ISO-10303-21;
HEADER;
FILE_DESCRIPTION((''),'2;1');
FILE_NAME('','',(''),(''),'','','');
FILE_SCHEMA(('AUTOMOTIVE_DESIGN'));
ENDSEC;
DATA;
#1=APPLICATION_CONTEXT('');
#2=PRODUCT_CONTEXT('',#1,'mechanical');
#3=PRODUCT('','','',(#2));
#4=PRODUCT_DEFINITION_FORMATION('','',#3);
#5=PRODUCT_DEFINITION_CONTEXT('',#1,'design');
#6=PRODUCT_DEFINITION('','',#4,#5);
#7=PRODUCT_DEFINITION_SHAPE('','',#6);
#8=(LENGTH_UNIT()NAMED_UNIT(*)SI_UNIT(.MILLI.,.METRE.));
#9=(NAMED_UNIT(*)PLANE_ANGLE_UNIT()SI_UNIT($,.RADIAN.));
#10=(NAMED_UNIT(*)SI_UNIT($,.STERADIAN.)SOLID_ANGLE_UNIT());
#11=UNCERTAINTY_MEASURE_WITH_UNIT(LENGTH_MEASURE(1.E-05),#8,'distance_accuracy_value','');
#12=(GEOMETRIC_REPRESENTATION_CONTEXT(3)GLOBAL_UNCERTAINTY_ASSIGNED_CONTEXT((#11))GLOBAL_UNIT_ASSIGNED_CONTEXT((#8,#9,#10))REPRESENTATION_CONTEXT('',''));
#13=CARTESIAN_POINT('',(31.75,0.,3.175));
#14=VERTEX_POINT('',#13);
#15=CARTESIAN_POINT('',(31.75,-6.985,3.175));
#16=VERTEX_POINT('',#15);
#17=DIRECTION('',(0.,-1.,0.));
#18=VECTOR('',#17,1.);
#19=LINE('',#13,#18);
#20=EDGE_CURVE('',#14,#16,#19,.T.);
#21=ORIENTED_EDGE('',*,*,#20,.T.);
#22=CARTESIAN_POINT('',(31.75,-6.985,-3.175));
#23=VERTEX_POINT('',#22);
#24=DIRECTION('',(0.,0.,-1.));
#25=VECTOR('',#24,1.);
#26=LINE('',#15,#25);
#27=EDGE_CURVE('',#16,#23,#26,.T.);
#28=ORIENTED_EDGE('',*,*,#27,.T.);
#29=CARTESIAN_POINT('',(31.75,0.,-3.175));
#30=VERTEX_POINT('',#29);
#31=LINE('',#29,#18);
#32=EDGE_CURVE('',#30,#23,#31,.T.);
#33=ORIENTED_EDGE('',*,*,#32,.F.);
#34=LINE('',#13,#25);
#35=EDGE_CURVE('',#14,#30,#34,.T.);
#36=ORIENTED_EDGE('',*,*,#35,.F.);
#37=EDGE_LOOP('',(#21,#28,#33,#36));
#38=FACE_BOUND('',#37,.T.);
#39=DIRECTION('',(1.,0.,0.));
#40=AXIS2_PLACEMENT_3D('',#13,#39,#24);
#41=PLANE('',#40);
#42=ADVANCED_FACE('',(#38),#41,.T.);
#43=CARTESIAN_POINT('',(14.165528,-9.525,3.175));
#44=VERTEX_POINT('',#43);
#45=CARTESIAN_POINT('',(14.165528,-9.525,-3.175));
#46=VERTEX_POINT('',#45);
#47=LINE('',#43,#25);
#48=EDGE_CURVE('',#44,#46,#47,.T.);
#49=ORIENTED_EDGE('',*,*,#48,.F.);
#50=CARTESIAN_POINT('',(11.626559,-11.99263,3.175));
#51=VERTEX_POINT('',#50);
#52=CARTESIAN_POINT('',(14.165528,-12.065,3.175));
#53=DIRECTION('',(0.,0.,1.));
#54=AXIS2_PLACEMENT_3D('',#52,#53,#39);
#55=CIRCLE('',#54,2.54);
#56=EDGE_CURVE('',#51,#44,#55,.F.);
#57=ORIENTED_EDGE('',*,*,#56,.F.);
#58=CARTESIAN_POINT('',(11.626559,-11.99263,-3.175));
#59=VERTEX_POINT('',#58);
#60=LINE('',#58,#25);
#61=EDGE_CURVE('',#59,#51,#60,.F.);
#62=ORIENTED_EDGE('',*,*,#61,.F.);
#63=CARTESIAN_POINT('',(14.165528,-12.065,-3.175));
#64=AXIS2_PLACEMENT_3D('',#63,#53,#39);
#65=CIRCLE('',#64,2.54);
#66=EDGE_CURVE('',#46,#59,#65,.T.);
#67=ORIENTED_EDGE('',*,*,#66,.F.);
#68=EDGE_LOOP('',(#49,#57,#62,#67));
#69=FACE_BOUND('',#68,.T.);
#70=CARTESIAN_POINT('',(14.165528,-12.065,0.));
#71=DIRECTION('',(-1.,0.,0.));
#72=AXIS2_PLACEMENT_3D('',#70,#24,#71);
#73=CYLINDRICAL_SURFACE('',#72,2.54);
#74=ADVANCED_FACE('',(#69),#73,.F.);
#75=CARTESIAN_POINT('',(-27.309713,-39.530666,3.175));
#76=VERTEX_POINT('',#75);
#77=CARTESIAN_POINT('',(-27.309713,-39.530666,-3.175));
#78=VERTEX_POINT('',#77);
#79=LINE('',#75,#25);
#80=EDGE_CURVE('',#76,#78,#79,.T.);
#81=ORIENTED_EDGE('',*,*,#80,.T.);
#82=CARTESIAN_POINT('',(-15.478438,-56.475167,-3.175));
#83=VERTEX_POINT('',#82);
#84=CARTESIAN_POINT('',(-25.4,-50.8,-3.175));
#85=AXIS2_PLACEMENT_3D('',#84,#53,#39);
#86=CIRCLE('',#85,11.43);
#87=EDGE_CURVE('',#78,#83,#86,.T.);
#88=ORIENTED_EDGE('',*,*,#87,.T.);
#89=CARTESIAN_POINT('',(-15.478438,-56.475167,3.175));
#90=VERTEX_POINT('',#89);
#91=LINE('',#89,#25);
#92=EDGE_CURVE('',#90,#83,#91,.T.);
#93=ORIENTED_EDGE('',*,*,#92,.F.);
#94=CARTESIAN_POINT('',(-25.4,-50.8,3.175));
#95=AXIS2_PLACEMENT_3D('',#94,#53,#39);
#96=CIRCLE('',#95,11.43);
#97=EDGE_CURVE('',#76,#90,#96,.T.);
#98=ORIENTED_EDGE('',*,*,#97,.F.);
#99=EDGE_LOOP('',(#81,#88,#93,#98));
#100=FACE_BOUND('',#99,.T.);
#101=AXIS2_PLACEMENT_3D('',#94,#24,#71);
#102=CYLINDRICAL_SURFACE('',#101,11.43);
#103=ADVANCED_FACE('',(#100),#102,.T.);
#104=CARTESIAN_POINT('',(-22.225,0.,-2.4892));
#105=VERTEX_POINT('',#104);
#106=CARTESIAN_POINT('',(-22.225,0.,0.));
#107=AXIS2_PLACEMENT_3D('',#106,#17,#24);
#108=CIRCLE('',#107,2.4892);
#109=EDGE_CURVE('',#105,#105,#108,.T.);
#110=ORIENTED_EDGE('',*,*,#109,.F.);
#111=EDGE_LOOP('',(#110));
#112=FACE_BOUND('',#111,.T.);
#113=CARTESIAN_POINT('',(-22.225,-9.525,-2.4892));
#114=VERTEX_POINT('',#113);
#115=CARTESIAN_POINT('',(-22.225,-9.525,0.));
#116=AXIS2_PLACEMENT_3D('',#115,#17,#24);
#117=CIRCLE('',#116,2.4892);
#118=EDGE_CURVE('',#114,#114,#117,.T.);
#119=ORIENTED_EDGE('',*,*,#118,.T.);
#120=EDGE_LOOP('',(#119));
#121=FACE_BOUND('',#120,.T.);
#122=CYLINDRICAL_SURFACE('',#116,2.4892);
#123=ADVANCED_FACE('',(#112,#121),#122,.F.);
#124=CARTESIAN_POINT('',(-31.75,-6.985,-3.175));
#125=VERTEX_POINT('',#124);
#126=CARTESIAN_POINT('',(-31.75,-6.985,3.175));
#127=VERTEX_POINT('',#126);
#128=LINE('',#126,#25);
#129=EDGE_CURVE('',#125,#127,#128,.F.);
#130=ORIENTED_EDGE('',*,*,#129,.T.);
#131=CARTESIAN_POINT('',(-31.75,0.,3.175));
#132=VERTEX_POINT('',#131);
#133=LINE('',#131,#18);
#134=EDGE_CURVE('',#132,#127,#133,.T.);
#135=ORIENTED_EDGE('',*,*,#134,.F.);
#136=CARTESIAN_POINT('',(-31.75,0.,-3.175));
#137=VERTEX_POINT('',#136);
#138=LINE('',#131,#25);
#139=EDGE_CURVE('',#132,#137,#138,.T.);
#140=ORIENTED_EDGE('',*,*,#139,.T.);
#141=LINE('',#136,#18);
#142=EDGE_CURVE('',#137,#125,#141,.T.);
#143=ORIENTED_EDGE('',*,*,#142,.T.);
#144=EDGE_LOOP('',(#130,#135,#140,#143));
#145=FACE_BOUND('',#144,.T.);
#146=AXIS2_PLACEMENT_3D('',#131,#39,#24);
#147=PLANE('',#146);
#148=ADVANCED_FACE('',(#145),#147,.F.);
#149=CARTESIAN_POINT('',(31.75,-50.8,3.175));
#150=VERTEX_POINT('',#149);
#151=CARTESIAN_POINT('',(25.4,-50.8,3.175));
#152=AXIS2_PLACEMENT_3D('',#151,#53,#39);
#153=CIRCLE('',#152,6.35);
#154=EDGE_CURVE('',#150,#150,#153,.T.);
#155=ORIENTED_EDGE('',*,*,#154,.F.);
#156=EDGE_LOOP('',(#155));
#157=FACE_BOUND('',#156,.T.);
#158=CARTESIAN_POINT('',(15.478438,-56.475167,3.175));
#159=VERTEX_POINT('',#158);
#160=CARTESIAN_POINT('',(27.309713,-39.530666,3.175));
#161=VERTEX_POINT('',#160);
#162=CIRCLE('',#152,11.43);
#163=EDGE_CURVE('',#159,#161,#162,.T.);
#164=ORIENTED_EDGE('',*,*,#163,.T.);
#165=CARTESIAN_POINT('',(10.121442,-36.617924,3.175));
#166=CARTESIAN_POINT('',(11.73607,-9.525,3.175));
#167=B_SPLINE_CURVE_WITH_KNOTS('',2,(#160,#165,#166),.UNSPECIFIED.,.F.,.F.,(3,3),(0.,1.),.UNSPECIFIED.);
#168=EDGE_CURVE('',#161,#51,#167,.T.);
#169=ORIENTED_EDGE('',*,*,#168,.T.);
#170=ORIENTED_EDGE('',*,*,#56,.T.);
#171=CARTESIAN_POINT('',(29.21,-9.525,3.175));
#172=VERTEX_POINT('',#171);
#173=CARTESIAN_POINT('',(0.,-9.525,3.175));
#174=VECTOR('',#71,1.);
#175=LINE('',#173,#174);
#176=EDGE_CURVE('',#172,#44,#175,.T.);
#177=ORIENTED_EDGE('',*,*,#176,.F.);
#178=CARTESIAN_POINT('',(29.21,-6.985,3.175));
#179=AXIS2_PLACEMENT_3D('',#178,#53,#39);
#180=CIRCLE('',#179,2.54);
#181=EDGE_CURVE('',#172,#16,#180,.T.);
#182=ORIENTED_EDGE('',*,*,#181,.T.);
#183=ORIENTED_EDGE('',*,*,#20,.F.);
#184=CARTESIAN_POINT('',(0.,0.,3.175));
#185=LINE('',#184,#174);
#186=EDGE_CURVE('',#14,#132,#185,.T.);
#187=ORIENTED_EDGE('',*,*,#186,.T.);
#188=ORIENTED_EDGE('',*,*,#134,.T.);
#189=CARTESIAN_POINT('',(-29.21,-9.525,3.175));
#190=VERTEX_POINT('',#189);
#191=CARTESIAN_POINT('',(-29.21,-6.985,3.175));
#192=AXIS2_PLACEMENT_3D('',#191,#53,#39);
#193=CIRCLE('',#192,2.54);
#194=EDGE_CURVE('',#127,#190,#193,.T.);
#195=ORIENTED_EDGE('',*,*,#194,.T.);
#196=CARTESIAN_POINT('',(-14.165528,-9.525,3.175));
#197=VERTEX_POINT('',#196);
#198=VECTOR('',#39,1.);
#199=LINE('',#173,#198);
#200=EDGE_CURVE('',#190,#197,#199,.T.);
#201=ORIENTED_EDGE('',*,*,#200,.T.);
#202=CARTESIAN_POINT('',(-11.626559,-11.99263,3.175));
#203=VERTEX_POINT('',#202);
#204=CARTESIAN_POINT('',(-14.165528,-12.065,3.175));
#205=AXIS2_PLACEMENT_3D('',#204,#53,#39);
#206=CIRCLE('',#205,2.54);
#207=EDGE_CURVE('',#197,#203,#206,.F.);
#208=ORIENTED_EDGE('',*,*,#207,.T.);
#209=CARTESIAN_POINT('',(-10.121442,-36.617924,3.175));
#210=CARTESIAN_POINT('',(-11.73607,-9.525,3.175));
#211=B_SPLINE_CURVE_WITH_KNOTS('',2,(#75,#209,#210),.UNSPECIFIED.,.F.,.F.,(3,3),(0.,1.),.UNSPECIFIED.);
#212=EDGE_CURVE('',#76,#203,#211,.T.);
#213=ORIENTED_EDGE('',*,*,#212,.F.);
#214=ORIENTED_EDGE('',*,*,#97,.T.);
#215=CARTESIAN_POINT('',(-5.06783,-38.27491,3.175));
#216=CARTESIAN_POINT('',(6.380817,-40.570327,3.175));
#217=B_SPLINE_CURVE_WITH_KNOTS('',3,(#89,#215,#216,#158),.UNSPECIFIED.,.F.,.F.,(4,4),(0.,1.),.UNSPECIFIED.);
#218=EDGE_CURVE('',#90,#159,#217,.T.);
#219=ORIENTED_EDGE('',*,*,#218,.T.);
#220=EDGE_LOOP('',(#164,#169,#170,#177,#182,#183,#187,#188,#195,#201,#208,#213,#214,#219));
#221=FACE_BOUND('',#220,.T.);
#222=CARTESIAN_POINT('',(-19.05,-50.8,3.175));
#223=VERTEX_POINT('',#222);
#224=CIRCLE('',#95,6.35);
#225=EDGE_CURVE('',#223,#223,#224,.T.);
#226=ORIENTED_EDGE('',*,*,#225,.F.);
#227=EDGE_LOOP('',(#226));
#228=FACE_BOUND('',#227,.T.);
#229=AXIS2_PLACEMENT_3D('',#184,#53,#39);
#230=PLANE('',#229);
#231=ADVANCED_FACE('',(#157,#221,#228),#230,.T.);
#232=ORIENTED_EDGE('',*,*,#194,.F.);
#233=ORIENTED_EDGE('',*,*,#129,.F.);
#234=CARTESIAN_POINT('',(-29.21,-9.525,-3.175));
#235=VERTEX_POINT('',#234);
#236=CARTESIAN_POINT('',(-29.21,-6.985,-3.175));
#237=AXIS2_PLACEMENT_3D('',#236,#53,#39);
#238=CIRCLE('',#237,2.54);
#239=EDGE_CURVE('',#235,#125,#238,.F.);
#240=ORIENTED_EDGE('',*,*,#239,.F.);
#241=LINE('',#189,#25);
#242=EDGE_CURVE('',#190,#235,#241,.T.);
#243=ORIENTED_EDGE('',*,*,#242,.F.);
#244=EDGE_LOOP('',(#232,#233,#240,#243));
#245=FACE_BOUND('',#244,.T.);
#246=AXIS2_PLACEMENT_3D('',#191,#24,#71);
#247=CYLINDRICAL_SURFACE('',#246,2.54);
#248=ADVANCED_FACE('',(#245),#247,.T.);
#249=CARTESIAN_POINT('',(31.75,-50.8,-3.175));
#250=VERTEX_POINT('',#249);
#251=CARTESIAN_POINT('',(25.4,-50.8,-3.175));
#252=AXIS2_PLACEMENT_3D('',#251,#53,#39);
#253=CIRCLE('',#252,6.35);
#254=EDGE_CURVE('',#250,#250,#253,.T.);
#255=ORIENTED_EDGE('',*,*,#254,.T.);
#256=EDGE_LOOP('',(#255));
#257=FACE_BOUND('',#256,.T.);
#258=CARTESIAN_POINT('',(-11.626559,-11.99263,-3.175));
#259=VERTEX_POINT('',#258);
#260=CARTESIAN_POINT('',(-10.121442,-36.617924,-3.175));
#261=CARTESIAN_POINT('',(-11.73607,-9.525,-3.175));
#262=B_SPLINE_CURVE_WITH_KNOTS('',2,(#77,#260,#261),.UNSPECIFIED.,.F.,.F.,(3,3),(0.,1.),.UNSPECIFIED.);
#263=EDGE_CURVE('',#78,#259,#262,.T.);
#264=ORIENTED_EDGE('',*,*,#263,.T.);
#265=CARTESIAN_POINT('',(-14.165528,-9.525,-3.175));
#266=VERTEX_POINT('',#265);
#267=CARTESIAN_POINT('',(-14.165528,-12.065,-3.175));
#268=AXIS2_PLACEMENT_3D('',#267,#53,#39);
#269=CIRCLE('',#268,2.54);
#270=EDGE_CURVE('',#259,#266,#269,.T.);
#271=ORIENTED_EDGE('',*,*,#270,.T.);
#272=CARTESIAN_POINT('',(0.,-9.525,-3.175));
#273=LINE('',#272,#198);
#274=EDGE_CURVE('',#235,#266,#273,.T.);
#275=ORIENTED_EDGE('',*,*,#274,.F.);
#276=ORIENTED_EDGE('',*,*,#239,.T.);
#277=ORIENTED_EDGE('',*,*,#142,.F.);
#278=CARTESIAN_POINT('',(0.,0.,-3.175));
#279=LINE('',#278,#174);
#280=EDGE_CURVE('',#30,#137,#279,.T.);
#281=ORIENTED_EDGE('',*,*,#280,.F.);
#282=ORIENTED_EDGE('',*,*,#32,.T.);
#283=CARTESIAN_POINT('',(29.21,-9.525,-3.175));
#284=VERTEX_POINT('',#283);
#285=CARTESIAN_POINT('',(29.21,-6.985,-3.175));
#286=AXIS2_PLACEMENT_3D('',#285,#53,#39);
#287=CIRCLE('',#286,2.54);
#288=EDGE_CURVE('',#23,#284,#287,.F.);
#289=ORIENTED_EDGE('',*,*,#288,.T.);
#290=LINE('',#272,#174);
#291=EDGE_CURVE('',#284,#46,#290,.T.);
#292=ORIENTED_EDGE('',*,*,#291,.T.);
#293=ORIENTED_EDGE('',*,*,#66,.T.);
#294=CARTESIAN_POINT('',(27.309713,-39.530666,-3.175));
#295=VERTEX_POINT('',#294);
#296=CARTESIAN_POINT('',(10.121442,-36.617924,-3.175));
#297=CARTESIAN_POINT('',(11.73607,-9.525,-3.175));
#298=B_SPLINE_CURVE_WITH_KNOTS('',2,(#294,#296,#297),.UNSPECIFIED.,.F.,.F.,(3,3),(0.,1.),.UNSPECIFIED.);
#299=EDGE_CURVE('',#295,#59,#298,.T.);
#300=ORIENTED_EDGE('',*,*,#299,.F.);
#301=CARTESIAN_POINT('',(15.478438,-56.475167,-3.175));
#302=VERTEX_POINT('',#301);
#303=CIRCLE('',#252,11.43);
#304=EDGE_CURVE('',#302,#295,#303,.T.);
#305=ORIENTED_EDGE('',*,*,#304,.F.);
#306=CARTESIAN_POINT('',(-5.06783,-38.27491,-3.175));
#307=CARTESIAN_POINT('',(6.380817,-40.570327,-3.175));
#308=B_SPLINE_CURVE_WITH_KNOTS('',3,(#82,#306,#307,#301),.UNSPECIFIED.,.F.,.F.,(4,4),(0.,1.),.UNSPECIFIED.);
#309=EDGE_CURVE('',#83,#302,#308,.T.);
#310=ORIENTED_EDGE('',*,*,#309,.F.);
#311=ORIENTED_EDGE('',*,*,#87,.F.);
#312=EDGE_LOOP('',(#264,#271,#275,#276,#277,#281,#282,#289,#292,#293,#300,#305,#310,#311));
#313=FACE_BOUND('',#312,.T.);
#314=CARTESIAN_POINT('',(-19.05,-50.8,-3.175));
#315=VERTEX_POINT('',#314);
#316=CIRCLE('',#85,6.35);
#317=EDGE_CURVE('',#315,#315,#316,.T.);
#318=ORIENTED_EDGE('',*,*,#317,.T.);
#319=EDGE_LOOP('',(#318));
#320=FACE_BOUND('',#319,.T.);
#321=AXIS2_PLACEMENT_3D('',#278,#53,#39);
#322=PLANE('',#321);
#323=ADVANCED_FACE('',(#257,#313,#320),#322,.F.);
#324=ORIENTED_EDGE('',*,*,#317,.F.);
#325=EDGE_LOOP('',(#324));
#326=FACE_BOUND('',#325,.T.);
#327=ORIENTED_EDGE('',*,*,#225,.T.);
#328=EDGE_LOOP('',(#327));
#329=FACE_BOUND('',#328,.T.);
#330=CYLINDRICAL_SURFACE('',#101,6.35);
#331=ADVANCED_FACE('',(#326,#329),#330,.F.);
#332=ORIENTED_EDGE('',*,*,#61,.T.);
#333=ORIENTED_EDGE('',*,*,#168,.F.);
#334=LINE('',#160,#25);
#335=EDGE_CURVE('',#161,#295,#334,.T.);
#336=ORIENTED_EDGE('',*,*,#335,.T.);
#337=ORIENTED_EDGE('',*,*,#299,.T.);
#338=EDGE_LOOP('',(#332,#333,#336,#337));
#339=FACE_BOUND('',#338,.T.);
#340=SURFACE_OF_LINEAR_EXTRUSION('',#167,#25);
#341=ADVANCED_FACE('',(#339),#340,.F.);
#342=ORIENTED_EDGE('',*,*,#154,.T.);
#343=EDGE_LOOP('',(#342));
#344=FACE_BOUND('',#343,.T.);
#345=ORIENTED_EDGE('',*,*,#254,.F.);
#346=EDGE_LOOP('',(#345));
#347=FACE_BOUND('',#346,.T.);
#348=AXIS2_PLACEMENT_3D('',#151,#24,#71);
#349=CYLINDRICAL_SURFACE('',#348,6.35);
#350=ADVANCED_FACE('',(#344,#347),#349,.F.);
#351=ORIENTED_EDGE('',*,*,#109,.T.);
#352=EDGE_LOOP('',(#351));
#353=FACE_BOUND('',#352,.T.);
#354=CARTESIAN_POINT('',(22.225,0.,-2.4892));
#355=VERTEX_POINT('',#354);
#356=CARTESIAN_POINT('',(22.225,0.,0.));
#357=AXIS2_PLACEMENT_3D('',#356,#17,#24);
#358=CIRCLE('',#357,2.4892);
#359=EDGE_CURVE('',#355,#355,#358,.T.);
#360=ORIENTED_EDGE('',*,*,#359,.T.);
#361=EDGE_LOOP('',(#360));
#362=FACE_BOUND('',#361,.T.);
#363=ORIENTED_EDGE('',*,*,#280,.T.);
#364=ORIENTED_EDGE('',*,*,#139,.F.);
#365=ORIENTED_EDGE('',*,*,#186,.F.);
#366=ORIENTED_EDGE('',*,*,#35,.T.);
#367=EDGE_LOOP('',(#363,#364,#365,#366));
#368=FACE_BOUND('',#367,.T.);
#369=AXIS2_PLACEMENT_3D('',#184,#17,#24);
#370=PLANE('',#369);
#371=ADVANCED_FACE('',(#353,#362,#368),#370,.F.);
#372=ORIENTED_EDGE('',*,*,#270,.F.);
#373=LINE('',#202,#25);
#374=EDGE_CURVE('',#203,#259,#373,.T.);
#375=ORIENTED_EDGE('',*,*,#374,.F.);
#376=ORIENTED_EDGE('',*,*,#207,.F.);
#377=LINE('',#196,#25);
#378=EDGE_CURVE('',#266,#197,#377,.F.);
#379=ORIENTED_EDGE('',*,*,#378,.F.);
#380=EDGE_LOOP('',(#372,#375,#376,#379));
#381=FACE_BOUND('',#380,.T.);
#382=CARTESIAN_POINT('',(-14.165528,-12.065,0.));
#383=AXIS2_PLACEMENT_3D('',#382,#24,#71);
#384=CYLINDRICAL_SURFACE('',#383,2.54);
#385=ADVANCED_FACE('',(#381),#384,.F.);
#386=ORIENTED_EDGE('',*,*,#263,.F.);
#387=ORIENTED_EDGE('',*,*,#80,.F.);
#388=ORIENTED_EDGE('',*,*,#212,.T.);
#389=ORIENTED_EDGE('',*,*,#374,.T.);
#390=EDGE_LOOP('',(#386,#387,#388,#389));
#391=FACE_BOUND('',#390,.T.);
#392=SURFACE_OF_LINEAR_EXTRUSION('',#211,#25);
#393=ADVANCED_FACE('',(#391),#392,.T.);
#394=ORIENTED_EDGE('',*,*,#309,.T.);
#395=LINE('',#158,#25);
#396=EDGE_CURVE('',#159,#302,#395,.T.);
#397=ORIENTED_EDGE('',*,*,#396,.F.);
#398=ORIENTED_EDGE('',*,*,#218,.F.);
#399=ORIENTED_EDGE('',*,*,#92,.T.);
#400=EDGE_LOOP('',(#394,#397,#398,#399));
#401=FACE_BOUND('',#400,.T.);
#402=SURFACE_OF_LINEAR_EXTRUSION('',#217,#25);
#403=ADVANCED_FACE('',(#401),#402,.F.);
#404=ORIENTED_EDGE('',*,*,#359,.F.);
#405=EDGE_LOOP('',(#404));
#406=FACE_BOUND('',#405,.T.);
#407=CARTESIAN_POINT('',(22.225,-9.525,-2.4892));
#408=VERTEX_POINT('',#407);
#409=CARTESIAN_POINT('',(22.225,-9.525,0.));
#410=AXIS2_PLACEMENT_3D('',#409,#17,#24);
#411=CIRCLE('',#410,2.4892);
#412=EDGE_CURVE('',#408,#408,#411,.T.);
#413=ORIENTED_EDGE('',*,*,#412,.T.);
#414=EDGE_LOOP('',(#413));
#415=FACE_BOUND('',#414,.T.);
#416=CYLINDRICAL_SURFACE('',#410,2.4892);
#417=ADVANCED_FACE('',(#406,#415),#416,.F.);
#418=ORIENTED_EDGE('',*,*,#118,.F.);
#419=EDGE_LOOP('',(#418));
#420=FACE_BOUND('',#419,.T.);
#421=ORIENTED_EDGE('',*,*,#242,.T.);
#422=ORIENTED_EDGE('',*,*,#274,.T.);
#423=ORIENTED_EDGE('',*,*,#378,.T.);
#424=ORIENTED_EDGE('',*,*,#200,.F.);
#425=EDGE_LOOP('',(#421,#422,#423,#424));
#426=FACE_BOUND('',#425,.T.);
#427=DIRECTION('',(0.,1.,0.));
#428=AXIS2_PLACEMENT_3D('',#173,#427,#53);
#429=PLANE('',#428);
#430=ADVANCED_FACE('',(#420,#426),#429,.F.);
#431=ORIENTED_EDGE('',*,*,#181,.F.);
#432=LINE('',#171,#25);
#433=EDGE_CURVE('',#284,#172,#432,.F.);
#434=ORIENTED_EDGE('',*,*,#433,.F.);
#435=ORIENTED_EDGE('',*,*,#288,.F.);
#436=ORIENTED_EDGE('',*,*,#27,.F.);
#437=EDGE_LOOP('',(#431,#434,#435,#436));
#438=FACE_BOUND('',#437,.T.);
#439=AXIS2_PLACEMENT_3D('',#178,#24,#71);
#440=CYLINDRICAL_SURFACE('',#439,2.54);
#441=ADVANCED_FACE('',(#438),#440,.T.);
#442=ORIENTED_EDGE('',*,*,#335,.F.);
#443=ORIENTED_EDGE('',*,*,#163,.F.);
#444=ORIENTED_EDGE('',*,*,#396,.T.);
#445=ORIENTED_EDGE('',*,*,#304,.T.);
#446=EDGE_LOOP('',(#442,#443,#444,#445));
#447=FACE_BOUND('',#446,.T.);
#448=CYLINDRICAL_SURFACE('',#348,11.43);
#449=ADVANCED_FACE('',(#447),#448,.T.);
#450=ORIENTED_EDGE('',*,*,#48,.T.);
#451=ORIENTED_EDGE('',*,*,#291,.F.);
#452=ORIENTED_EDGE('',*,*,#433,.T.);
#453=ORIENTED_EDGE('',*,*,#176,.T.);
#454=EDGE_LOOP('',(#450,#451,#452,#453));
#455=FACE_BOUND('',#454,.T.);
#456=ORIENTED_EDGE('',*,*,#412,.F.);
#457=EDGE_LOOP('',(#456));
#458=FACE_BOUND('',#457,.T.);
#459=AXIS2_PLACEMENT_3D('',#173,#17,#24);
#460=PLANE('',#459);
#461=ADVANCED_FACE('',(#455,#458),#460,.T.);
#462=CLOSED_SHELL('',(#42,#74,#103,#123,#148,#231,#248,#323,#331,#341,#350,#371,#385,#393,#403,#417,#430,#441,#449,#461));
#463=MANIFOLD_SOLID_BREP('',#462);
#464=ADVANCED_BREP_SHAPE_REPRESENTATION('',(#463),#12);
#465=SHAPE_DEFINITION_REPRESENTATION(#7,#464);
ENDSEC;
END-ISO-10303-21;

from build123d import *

# Parameters (mm, degrees)
SKETCH1_R                  = 11.43
SKETCH1_R_2                = 6.35
BOSS_EXTRUDE1_DEPTH        = 3.175
FILLET1_R                  = 2.54
F_10_CLEARANCE_HOLE1_D     = 4.9784
F_10_CLEARANCE_HOLE1_DEPTH = 9.525


with BuildPart() as part:
    # Sketch1 → Boss-Extrude1 (new, symmetric)
    # profile 1 of 3: a face of its own
    with BuildSketch(Plane.XY):
        with BuildLine():
            Line((31.75, -9.525), (31.75, 0))
            Line((31.75, 0), (-31.75, 0))
            Line((-31.75, 0), (-31.75, -9.525))
            Line((-31.75, -9.525), (-11.736070368, -9.525))
            add(Edge.make_bspline(
                [(-27.309712652, -39.53066561), (-10.121441585, -36.617924041), (-11.736070368, -9.525)],
                knots=[0, 0, 0, 1, 1, 1], degree=2))
            ThreePointArc((-27.309712652, -39.53066561), (-18.023792154, -42.06865086), (-13.97, -50.8))
            ThreePointArc((-13.97, -50.8), (-14.353544724, -53.736107258), (-15.478438466, -56.47516667))
            add(Edge.make_bspline(
                [(-15.478438466, -56.47516667), (-5.067830393, -38.274910251), (6.38081654, -40.57032704), (15.478438466, -56.47516667)],
                knots=[0, 0, 0, 0, 1, 1, 1, 1], degree=3))
            ThreePointArc((15.478438466, -56.47516667), (16.028422776, -44.256419914), (27.309712652, -39.53066561))
            add(Edge.make_bspline(
                [(27.309712652, -39.53066561), (10.121441585, -36.617924041), (11.736070368, -9.525)],
                knots=[0, 0, 0, 1, 1, 1], degree=2))
            Line((11.736070368, -9.525), (31.75, -9.525))
        make_face()
    # profile 2 of 3: a face of its own
    with BuildSketch(Plane.XY):
        with Locations((-25.4, -50.8)):
            Circle(SKETCH1_R)
        with Locations((-25.4, -50.8)):
            Circle(SKETCH1_R_2, mode=Mode.SUBTRACT)
    # profile 3 of 3: a face of its own
    with BuildSketch(Plane.XY):
        with Locations((25.4, -50.8)):
            Circle(SKETCH1_R)
        with Locations((25.4, -50.8)):
            Circle(SKETCH1_R_2, mode=Mode.SUBTRACT)
    extrude(amount=BOSS_EXTRUDE1_DEPTH, both=True)

    # Fillet1
    fillet1_edges = [part.edges().sort_by_distance(p)[0] for p in [
        (-11.736070368, -9.525, -1.5875),
        (-31.75, -9.525, 0),
        (31.75, -9.525, 0),
        (11.736070368, -9.525, 1.5875),
    ]]
    fillet(fillet1_edges, radius=FILLET1_R)

    # #10 Clearance Hole1
    with Locations(Plane(origin=(0, -9.525, 0), x_dir=(-1, 0, 0), z_dir=(0, -1, 0))):
        with Locations((22.225, 0), (-22.225, 0)):
            Hole(F_10_CLEARANCE_HOLE1_D / 2, depth=F_10_CLEARANCE_HOLE1_DEPTH)


solid = part.part
